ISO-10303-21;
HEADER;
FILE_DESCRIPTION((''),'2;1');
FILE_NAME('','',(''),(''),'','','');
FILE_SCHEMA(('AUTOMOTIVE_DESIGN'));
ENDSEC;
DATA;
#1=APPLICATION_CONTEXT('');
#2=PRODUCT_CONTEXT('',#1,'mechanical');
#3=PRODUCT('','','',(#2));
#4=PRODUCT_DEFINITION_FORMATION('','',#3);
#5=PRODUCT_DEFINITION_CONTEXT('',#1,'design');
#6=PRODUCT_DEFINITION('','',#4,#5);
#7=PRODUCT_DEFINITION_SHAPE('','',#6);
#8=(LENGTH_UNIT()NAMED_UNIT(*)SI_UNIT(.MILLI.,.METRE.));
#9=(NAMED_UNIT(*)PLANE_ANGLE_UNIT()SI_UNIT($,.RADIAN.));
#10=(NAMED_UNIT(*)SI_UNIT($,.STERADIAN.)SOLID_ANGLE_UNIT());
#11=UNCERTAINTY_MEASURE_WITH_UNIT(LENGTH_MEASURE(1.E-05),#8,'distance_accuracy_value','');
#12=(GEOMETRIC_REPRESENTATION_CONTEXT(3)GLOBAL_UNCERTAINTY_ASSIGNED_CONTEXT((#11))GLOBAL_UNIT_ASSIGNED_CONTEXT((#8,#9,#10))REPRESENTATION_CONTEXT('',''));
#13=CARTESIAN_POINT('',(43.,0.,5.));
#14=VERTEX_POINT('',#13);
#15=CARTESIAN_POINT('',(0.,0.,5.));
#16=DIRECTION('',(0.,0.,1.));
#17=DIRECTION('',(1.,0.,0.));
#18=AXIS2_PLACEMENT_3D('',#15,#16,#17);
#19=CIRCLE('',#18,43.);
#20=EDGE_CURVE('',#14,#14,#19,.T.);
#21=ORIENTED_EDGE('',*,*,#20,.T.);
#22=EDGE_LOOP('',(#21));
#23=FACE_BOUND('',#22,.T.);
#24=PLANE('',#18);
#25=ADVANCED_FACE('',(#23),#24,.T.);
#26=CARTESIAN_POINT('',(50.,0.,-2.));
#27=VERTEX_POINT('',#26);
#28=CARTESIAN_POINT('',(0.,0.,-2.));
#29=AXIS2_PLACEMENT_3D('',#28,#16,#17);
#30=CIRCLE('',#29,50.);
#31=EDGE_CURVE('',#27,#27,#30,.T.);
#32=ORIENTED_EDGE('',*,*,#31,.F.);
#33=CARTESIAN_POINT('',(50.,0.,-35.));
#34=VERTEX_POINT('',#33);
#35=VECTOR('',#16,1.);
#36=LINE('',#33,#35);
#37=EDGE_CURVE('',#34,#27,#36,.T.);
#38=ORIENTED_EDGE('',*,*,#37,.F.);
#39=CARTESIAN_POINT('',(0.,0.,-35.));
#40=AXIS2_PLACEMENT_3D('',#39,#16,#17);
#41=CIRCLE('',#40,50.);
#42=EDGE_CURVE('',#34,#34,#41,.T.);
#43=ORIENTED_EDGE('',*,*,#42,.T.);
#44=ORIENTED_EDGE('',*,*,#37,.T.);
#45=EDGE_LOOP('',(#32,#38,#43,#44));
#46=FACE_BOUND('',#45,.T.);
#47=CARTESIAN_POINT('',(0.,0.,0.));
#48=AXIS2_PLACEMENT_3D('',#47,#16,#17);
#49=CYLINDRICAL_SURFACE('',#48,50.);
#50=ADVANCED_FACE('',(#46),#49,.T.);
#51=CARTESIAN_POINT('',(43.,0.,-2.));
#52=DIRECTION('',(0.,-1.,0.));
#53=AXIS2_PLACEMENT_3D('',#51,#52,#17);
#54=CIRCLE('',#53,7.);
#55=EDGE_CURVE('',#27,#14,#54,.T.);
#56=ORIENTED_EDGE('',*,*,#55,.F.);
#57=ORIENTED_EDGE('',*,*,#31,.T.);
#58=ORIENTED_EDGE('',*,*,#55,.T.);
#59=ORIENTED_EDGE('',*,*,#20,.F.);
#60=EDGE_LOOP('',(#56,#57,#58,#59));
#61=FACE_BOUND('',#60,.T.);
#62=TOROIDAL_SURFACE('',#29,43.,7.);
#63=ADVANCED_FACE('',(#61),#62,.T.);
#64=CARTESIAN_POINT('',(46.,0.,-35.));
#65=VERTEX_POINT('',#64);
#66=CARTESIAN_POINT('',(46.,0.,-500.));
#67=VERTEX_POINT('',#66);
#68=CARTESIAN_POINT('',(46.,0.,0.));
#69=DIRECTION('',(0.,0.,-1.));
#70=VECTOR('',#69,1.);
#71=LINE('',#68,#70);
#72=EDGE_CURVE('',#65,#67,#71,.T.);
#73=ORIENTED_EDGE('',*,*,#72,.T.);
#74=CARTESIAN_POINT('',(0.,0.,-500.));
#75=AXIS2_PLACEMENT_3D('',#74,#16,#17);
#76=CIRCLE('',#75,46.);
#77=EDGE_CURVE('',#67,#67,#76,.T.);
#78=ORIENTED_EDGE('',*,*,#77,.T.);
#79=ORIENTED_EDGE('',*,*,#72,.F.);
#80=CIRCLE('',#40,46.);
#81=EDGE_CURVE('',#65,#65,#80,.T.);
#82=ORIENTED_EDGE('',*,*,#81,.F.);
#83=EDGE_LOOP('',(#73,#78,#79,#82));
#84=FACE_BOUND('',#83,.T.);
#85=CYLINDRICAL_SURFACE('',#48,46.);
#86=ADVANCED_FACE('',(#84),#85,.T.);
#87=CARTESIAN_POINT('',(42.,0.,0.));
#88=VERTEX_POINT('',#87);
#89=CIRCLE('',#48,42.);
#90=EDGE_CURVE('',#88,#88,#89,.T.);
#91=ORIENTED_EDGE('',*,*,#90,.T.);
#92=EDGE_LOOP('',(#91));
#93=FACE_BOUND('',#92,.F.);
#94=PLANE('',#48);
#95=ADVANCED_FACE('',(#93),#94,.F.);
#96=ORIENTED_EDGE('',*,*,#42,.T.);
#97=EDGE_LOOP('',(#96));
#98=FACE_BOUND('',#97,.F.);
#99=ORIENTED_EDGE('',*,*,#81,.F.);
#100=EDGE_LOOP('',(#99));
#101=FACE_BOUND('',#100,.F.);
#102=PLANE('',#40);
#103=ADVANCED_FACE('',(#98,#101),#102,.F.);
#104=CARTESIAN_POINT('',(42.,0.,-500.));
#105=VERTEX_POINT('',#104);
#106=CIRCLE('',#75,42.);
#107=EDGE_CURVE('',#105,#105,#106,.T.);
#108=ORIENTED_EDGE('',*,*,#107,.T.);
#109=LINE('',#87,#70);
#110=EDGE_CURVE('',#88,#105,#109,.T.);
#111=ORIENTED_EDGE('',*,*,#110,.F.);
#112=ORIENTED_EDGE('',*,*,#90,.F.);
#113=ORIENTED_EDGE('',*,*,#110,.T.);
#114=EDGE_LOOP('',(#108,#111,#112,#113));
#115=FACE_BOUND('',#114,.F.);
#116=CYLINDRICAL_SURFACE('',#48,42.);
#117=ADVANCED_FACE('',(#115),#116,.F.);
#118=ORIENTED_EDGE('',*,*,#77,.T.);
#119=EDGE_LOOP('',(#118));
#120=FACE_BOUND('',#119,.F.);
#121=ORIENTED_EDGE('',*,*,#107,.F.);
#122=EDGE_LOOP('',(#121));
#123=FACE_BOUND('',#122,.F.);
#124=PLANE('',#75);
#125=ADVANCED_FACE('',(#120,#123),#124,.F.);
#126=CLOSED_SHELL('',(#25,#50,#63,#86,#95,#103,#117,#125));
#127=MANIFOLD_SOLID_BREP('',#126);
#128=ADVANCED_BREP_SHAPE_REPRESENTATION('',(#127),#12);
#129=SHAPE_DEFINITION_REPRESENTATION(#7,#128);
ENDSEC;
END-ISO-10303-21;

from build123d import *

# Parameters (mm, degrees)
F0_R     = 50
F0_R_2   = 46
F0_R_3   = 42
F1_DEPTH = 5
F2_DEPTH = 500
F3_DEPTH = 35
F4_R     = 7


with BuildPart() as f1:
    # F0 (on Top) → F1 (new body)
    with BuildSketch(Plane.XY):
        Circle(F0_R)
        Circle(F0_R_2, mode=Mode.SUBTRACT)
        Circle(F0_R_2)
        Circle(F0_R_3, mode=Mode.SUBTRACT)
        Circle(F0_R_3)
    extrude(amount=F1_DEPTH)

    # F0 (on Top) → F2 (join)
    with BuildSketch(Plane.XY):
        Circle(F0_R_2)
        Circle(F0_R_3, mode=Mode.SUBTRACT)
    extrude(amount=-F2_DEPTH)

    # F0 (on Top) → F3 (join)
    with BuildSketch(Plane.XY):
        Circle(F0_R)
        Circle(F0_R_2, mode=Mode.SUBTRACT)
    extrude(amount=-F3_DEPTH)

    # F4
    f4_edges = [f1.edges().sort_by_distance(p)[0] for p in [
        (-50, 0, 5),
    ]]
    fillet(f4_edges, radius=F4_R)


solid = f1.part
